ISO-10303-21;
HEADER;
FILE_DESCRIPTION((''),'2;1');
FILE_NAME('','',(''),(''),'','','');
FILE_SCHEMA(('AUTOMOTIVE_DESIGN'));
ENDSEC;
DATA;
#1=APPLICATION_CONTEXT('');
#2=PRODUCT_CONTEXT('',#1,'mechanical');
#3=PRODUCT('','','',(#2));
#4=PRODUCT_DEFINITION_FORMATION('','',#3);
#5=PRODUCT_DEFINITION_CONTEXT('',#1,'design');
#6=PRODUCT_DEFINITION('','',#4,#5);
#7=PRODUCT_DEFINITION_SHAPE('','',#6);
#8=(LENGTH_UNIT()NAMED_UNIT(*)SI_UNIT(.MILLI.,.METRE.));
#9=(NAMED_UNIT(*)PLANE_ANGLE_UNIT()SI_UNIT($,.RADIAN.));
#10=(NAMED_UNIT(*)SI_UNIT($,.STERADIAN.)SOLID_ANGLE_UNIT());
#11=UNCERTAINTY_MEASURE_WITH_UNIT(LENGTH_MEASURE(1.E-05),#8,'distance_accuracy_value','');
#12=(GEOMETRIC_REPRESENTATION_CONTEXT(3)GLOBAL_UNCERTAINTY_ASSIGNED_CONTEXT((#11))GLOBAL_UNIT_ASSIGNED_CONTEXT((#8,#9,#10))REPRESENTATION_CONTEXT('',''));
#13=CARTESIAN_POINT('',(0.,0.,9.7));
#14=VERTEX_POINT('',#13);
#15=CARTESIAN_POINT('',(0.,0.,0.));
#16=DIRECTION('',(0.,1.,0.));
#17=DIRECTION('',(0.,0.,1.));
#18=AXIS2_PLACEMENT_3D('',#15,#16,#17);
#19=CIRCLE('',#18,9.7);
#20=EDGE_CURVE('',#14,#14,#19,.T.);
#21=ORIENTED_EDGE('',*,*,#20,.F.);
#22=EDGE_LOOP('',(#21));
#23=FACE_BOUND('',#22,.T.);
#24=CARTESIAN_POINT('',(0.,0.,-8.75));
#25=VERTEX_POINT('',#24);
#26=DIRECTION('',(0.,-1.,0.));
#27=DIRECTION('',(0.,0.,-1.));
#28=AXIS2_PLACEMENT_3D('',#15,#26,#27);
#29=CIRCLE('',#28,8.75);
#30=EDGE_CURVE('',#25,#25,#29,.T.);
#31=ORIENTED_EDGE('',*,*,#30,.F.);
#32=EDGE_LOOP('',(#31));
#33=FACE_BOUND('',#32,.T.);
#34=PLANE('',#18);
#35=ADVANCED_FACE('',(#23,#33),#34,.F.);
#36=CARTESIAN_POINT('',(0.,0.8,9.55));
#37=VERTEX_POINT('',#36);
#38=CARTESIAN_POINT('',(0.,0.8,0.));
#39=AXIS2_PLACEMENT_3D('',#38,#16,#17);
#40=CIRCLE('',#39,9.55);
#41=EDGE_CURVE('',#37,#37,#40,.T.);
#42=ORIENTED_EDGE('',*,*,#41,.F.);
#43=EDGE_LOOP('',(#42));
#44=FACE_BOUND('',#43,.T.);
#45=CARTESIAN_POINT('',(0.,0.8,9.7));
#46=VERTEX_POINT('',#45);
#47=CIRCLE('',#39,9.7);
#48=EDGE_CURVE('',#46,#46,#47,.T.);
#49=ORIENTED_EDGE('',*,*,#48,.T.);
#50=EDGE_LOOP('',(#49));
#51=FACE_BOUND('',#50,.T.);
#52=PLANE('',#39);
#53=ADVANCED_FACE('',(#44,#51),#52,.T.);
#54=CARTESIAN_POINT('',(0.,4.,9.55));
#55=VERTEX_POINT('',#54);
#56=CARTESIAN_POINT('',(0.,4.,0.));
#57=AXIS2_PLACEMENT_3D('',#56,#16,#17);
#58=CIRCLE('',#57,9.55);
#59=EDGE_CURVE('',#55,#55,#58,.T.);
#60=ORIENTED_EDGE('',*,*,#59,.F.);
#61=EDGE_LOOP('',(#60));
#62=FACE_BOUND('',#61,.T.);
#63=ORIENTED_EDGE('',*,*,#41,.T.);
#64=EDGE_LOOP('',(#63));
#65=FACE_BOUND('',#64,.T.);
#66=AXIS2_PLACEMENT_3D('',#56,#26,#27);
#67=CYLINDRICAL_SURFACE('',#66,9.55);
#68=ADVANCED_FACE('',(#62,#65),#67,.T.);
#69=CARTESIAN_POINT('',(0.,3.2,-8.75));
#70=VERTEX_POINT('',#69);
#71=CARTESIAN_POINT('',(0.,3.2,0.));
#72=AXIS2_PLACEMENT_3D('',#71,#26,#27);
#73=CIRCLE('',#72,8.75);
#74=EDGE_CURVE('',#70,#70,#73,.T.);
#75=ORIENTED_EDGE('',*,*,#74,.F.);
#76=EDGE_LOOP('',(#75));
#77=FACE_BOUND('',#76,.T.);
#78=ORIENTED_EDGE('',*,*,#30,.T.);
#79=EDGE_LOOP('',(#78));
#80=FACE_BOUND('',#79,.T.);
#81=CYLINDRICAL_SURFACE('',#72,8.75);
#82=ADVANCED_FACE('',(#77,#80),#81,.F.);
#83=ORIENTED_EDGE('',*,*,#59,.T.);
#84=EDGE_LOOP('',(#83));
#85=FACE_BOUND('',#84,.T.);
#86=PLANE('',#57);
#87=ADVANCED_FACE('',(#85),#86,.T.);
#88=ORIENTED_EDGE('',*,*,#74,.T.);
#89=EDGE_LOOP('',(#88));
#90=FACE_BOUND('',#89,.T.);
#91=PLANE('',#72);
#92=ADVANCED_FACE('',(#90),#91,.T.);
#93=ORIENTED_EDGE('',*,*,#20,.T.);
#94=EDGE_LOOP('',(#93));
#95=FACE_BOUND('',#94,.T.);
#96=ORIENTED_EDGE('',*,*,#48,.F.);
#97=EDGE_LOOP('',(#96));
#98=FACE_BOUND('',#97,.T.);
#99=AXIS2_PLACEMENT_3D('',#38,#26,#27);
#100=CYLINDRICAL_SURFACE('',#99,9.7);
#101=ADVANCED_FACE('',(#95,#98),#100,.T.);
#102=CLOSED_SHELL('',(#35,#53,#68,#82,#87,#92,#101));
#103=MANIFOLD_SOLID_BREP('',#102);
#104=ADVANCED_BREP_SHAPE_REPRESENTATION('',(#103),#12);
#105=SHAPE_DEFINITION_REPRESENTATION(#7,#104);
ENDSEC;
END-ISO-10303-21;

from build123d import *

# Parameters (mm, degrees)
SKETCH1_R           = 9.7
BOSS_EXTRUDE1_DEPTH = 0.8
SKETCH2_R           = 9.55
BOSS_EXTRUDE2_DEPTH = 3.2
SKETCH4_R           = 8.75
CUT_EXTRUDE2_DEPTH  = 3.2


with BuildPart() as part:
    # Sketch1 → Boss-Extrude1 (new body)
    with BuildSketch(Plane(origin=(0, 0, 0), x_dir=(1, 0, 0), z_dir=(0, 1, 0))):
        Circle(SKETCH1_R)
    extrude(amount=BOSS_EXTRUDE1_DEPTH)

    # Sketch2 → Boss-Extrude2 (add)
    with BuildSketch(Plane(origin=(0, 0.8, 0), x_dir=(1, 0, 0), z_dir=(0, 1, 0))):
        Circle(SKETCH2_R)
    extrude(amount=BOSS_EXTRUDE2_DEPTH)

    # Sketch4 → Cut-Extrude2 (cut)
    with BuildSketch(Plane(origin=(0, 0, 0), x_dir=(-1, 0, 0), z_dir=(0, -1, 0))):
        Circle(SKETCH4_R)
    extrude(amount=-CUT_EXTRUDE2_DEPTH, mode=Mode.SUBTRACT)


solid = part.part
